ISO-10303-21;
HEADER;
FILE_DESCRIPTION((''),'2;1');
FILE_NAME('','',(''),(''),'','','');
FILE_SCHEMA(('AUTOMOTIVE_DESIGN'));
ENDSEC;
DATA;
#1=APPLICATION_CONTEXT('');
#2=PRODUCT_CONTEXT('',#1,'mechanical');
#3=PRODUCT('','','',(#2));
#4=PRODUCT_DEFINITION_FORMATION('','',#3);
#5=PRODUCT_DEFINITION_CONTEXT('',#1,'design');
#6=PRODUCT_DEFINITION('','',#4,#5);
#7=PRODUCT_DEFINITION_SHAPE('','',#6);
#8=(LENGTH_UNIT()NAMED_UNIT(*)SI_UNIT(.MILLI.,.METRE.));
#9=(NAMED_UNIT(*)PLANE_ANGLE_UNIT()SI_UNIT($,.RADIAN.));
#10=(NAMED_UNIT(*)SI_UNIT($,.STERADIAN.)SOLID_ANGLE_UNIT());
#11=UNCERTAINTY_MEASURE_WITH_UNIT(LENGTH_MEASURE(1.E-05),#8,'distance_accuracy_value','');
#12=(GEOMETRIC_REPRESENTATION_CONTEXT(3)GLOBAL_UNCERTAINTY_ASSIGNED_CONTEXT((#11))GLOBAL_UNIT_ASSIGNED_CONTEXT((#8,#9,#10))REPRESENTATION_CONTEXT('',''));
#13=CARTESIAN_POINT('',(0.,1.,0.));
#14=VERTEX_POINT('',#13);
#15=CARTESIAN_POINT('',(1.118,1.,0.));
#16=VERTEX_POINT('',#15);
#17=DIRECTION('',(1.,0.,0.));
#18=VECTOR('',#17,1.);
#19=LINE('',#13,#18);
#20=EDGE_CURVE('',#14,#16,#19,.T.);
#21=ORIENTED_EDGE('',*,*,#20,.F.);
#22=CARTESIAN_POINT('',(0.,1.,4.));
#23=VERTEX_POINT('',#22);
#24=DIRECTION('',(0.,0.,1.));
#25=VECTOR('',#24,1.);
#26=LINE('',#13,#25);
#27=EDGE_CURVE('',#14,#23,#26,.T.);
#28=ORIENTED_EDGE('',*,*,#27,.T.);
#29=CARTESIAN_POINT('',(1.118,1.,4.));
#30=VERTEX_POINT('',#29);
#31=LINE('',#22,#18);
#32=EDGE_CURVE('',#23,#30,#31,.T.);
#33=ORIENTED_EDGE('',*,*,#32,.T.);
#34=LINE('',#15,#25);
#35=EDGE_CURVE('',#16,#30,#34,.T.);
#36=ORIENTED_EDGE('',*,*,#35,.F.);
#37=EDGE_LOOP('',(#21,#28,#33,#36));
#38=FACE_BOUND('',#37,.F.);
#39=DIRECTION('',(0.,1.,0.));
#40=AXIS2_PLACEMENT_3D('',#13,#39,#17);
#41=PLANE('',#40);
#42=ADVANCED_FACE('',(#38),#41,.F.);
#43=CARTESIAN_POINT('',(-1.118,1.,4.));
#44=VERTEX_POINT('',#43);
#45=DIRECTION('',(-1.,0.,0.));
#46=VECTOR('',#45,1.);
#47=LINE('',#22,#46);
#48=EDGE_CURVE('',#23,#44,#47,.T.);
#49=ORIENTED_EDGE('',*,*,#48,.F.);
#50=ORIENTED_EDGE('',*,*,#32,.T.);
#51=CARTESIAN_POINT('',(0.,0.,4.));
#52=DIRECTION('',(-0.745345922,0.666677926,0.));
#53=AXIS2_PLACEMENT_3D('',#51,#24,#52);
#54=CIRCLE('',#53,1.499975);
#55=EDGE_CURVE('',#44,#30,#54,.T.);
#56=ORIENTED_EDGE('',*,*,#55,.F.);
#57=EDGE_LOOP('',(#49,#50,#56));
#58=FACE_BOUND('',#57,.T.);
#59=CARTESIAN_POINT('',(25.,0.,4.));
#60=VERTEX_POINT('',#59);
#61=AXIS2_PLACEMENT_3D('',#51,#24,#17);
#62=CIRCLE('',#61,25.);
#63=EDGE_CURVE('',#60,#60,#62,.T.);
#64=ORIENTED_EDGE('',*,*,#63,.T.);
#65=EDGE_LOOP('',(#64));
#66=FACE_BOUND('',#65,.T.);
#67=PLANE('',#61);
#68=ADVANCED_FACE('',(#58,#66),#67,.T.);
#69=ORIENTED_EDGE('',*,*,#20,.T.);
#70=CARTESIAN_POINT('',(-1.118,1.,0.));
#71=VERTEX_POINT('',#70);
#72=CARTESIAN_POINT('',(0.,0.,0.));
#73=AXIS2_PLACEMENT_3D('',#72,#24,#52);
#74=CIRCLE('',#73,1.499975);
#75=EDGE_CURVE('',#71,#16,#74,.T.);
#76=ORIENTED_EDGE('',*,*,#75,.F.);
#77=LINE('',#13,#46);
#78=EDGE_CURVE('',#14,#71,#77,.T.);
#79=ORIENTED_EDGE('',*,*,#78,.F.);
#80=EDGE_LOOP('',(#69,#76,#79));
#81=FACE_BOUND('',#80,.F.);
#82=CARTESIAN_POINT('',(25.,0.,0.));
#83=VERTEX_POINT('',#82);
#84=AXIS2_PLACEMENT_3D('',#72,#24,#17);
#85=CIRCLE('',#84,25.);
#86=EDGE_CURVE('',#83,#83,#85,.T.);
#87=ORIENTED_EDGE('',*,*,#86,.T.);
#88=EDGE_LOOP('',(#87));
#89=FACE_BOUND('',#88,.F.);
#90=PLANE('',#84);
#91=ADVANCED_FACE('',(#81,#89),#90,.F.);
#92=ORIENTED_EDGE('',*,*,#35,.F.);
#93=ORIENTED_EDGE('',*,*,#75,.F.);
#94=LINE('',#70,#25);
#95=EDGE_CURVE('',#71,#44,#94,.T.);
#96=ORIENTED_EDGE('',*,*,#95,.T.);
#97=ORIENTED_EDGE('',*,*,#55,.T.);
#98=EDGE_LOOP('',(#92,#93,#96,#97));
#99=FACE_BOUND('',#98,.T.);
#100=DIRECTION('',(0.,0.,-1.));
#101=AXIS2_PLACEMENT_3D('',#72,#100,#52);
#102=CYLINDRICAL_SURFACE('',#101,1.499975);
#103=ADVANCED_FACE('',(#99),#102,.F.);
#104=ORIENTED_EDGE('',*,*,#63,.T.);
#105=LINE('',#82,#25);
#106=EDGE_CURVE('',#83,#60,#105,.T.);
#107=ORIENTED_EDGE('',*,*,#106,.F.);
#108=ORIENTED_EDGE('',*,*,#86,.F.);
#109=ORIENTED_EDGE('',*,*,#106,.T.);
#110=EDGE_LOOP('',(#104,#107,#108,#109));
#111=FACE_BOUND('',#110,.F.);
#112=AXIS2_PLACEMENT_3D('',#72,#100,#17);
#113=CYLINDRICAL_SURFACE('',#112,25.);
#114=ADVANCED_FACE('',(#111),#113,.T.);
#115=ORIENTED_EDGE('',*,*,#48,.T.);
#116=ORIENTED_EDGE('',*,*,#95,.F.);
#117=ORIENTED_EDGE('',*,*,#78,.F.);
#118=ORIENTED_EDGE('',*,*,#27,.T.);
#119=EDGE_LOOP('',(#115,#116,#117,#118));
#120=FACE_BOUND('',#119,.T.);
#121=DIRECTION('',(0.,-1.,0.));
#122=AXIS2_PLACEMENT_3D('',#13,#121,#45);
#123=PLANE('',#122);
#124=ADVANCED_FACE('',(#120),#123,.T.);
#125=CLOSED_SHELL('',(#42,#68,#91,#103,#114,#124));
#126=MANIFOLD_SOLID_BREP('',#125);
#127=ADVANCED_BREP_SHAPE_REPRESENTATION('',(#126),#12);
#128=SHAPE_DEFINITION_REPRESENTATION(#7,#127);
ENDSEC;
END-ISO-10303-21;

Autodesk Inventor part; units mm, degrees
ref_plane "YZ Plane" through (0, 0, 0) normal (1, 0, 0) x (0, 1, 0)
ref_plane "XZ Plane" through (0, 0, 0) normal (0, 1, 0) x (-1, 0, 0)
ref_plane "XY Plane" through (0, 0, 0) normal (0, 0, 1) x (1, 0, 0)
sketch "Sketch1" plane through (0, 0, 0) normal (0, 0, 1) x (1, 0, 0)
  circle A0 centre (0, 0) radius 25
  arc A1 (-1.118, 1) -> (1.118, 1) centre (0, 0) ccw
  line L0 (0, 1) -> (1.118, 1)
  line L1 (1.118, 1) -> (0, 1)
  line L2 (0, 1) -> (-1.118, 1)
  dimension "d0" = 50
  dimension "d3" = 1
  dimension "d4" = 1.5
  dimension "d5" = 2.2361
  dimension "d6" = 1.118
extrude "Extrusion1" add sketch "Sketch1" along normal blind 4
